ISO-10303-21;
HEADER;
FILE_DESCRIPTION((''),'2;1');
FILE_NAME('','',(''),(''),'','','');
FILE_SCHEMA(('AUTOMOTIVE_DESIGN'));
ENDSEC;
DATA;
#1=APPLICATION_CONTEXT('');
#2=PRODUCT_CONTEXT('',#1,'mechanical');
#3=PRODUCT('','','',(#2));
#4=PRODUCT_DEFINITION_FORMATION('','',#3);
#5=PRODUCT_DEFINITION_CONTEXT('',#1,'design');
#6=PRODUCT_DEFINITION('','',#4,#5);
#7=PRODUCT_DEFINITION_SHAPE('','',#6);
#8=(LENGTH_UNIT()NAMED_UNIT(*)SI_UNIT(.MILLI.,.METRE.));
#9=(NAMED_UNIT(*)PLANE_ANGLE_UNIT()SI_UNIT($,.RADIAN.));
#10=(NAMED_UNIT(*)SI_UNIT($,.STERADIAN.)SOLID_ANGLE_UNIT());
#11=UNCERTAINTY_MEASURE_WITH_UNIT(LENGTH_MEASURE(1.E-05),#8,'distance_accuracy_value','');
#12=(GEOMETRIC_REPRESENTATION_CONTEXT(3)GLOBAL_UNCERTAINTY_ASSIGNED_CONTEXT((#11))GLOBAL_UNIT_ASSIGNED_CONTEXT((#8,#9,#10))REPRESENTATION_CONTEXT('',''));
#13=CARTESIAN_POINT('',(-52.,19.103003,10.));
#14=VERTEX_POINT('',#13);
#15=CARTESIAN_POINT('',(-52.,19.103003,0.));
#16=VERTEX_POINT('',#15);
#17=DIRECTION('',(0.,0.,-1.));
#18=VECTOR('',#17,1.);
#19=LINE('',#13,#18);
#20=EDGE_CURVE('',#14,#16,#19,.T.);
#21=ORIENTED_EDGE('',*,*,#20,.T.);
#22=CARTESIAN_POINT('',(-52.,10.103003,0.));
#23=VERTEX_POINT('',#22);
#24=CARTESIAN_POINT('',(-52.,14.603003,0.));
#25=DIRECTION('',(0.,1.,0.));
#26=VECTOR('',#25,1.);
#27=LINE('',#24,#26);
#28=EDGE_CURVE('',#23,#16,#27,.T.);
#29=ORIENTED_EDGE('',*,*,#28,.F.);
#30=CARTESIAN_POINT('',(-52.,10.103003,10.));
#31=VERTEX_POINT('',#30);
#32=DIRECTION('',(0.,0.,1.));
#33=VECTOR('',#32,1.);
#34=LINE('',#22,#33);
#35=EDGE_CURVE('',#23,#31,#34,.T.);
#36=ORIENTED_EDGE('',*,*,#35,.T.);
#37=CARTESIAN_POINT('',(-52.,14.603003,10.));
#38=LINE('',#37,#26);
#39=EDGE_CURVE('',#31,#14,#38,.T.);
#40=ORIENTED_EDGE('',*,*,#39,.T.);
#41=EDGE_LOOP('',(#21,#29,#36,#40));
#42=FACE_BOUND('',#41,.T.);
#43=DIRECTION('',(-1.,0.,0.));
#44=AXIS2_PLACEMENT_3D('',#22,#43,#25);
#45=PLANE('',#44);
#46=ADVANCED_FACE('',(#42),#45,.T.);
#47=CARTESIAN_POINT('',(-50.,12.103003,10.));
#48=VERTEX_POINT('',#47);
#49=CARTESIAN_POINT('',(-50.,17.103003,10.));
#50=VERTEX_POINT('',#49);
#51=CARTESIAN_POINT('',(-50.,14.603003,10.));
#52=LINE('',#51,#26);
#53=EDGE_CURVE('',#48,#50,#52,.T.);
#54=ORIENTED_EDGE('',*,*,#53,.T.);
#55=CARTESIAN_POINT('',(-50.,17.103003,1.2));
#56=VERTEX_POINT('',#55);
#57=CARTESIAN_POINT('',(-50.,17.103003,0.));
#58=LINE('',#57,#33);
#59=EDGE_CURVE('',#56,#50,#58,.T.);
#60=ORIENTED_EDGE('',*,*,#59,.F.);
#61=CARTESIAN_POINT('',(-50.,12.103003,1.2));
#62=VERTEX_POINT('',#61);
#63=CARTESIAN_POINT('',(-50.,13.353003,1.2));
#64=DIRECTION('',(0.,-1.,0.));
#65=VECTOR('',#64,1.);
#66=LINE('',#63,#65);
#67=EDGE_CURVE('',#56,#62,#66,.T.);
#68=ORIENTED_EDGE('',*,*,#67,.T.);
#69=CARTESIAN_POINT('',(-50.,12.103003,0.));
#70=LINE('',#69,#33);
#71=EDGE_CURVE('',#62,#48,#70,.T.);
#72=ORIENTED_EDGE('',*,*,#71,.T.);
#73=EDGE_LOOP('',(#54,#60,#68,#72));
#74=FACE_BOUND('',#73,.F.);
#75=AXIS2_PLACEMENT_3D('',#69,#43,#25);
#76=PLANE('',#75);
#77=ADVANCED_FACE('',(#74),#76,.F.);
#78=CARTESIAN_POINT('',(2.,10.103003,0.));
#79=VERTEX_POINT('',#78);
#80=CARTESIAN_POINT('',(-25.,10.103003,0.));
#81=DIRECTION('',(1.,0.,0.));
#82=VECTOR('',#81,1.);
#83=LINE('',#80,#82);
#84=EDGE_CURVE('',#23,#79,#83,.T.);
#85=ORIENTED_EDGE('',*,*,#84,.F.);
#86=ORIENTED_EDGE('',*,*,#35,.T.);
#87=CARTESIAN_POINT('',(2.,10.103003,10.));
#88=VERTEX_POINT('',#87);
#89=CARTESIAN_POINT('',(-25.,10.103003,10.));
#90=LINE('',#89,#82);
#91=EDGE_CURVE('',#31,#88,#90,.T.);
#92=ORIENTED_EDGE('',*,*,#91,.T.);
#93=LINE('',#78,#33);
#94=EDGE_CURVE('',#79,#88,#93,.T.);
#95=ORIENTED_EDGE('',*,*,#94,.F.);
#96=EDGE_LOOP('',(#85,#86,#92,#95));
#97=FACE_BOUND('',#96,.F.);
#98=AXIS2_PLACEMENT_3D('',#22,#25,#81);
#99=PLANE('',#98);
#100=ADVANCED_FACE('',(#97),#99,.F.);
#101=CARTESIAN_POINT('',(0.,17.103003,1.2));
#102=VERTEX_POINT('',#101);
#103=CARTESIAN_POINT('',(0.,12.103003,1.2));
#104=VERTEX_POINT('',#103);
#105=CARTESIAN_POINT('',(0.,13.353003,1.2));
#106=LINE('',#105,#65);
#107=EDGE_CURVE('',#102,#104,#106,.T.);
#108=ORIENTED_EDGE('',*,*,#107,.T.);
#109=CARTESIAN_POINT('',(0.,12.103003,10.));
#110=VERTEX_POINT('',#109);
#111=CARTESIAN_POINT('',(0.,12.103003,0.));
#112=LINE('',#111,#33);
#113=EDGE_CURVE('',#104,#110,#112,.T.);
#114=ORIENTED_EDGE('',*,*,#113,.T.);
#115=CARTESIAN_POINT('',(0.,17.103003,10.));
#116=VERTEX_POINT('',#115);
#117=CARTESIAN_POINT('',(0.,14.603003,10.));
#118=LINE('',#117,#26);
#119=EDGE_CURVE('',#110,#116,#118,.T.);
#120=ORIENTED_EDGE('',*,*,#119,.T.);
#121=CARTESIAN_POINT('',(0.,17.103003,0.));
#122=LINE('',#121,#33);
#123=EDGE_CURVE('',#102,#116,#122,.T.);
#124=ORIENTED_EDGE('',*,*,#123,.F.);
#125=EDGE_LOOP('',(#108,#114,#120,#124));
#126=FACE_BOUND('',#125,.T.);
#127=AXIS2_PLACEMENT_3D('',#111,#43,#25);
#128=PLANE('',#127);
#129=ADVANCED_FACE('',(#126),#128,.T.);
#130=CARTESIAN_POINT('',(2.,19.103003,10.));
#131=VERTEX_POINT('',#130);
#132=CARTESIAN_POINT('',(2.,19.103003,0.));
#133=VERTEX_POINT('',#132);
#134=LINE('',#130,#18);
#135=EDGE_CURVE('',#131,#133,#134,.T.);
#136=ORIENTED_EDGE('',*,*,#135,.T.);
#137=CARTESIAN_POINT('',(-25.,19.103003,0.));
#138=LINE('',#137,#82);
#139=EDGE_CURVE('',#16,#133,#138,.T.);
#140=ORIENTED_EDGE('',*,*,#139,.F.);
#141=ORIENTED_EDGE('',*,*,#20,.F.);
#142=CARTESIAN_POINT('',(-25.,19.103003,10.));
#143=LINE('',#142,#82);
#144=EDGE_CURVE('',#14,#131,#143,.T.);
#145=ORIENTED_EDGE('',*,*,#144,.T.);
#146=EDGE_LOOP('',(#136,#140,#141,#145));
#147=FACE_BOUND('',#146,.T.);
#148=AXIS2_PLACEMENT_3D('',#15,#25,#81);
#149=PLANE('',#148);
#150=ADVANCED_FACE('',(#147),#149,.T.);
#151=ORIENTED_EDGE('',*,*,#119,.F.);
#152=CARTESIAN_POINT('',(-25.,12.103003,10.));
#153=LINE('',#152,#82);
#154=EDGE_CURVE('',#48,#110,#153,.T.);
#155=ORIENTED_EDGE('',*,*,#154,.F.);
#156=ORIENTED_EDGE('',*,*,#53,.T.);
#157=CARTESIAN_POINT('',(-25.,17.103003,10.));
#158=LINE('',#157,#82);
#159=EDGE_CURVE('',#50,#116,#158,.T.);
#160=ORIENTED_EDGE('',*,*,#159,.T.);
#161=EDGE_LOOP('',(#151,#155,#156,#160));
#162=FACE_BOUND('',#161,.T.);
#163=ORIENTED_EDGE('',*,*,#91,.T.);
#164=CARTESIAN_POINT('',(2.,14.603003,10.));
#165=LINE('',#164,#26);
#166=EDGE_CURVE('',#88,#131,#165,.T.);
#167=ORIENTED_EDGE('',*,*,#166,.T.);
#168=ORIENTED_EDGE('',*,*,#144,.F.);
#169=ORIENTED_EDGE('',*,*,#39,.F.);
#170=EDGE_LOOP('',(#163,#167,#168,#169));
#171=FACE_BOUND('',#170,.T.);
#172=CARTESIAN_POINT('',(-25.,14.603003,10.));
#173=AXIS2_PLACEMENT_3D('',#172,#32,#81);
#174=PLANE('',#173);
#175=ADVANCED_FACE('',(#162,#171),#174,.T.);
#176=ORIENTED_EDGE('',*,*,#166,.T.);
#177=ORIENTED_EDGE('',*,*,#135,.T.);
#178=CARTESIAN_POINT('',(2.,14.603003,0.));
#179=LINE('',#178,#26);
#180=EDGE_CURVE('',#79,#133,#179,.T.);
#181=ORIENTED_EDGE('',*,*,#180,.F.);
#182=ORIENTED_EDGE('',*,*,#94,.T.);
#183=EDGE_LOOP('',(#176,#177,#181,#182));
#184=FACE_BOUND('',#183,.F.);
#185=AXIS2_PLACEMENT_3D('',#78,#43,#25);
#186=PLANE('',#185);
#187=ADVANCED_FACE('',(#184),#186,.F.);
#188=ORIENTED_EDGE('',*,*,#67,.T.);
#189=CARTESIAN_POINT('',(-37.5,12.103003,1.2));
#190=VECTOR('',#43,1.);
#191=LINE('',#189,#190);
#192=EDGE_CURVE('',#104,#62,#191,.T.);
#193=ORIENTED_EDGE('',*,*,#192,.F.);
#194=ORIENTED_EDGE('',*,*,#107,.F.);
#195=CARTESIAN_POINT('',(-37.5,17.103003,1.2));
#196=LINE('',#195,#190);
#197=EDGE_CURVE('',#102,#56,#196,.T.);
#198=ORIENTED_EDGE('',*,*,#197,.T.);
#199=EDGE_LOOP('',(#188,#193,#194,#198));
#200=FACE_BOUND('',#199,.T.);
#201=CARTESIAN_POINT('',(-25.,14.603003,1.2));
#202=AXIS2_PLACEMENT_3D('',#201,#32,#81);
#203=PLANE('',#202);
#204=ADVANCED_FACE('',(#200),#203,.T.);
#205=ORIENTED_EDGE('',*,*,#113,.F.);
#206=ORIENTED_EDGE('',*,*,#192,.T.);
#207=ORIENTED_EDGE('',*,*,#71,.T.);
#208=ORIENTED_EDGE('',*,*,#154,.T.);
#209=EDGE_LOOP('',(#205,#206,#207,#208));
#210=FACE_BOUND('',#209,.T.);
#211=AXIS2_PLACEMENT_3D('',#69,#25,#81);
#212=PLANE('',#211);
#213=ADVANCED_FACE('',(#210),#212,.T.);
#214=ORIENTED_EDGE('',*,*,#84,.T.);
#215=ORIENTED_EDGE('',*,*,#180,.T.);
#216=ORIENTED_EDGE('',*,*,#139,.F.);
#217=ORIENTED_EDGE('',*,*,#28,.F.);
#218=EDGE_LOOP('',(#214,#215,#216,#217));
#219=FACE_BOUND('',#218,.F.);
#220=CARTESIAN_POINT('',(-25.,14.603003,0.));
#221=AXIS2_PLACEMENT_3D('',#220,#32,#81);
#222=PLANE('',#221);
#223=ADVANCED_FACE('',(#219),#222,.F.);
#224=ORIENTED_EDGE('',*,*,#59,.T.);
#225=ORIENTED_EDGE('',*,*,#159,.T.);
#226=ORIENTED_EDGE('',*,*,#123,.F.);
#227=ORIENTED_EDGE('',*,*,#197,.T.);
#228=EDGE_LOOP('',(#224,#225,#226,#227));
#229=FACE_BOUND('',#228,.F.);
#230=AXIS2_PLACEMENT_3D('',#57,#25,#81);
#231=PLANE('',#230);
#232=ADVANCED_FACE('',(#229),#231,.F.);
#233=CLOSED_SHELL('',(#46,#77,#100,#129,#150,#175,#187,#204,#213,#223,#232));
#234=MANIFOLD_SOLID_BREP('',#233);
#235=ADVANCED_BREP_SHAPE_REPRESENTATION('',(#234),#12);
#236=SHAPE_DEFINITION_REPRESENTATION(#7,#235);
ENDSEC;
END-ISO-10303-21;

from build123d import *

# Parameters (mm, degrees)
F0_W     = 54
F0_H     = 9
F0_W_2   = 50
F0_H_2   = 5
F1_DEPTH = 1.2
F2_DEPTH = 10


with BuildPart() as f1:
    # F0 (on Top) → F1 (new body)
    with BuildSketch(Plane.XY):
        with Locations((-25, 14.603003)):
            Rectangle(F0_W, F0_H)
        with Locations((-25, 14.603003)):
            Rectangle(F0_W_2, F0_H_2, mode=Mode.SUBTRACT)
        with Locations((-25, 14.603003)):
            Rectangle(F0_W_2, F0_H_2)
    extrude(amount=F1_DEPTH)

    # F0 (on Top) → F2 (join)
    with BuildSketch(Plane.XY):
        with Locations((-25, 14.603003)):
            Rectangle(F0_W, F0_H)
        with Locations((-25, 14.603003)):
            Rectangle(F0_W_2, F0_H_2, mode=Mode.SUBTRACT)
    extrude(amount=F2_DEPTH)


solid = f1.part
